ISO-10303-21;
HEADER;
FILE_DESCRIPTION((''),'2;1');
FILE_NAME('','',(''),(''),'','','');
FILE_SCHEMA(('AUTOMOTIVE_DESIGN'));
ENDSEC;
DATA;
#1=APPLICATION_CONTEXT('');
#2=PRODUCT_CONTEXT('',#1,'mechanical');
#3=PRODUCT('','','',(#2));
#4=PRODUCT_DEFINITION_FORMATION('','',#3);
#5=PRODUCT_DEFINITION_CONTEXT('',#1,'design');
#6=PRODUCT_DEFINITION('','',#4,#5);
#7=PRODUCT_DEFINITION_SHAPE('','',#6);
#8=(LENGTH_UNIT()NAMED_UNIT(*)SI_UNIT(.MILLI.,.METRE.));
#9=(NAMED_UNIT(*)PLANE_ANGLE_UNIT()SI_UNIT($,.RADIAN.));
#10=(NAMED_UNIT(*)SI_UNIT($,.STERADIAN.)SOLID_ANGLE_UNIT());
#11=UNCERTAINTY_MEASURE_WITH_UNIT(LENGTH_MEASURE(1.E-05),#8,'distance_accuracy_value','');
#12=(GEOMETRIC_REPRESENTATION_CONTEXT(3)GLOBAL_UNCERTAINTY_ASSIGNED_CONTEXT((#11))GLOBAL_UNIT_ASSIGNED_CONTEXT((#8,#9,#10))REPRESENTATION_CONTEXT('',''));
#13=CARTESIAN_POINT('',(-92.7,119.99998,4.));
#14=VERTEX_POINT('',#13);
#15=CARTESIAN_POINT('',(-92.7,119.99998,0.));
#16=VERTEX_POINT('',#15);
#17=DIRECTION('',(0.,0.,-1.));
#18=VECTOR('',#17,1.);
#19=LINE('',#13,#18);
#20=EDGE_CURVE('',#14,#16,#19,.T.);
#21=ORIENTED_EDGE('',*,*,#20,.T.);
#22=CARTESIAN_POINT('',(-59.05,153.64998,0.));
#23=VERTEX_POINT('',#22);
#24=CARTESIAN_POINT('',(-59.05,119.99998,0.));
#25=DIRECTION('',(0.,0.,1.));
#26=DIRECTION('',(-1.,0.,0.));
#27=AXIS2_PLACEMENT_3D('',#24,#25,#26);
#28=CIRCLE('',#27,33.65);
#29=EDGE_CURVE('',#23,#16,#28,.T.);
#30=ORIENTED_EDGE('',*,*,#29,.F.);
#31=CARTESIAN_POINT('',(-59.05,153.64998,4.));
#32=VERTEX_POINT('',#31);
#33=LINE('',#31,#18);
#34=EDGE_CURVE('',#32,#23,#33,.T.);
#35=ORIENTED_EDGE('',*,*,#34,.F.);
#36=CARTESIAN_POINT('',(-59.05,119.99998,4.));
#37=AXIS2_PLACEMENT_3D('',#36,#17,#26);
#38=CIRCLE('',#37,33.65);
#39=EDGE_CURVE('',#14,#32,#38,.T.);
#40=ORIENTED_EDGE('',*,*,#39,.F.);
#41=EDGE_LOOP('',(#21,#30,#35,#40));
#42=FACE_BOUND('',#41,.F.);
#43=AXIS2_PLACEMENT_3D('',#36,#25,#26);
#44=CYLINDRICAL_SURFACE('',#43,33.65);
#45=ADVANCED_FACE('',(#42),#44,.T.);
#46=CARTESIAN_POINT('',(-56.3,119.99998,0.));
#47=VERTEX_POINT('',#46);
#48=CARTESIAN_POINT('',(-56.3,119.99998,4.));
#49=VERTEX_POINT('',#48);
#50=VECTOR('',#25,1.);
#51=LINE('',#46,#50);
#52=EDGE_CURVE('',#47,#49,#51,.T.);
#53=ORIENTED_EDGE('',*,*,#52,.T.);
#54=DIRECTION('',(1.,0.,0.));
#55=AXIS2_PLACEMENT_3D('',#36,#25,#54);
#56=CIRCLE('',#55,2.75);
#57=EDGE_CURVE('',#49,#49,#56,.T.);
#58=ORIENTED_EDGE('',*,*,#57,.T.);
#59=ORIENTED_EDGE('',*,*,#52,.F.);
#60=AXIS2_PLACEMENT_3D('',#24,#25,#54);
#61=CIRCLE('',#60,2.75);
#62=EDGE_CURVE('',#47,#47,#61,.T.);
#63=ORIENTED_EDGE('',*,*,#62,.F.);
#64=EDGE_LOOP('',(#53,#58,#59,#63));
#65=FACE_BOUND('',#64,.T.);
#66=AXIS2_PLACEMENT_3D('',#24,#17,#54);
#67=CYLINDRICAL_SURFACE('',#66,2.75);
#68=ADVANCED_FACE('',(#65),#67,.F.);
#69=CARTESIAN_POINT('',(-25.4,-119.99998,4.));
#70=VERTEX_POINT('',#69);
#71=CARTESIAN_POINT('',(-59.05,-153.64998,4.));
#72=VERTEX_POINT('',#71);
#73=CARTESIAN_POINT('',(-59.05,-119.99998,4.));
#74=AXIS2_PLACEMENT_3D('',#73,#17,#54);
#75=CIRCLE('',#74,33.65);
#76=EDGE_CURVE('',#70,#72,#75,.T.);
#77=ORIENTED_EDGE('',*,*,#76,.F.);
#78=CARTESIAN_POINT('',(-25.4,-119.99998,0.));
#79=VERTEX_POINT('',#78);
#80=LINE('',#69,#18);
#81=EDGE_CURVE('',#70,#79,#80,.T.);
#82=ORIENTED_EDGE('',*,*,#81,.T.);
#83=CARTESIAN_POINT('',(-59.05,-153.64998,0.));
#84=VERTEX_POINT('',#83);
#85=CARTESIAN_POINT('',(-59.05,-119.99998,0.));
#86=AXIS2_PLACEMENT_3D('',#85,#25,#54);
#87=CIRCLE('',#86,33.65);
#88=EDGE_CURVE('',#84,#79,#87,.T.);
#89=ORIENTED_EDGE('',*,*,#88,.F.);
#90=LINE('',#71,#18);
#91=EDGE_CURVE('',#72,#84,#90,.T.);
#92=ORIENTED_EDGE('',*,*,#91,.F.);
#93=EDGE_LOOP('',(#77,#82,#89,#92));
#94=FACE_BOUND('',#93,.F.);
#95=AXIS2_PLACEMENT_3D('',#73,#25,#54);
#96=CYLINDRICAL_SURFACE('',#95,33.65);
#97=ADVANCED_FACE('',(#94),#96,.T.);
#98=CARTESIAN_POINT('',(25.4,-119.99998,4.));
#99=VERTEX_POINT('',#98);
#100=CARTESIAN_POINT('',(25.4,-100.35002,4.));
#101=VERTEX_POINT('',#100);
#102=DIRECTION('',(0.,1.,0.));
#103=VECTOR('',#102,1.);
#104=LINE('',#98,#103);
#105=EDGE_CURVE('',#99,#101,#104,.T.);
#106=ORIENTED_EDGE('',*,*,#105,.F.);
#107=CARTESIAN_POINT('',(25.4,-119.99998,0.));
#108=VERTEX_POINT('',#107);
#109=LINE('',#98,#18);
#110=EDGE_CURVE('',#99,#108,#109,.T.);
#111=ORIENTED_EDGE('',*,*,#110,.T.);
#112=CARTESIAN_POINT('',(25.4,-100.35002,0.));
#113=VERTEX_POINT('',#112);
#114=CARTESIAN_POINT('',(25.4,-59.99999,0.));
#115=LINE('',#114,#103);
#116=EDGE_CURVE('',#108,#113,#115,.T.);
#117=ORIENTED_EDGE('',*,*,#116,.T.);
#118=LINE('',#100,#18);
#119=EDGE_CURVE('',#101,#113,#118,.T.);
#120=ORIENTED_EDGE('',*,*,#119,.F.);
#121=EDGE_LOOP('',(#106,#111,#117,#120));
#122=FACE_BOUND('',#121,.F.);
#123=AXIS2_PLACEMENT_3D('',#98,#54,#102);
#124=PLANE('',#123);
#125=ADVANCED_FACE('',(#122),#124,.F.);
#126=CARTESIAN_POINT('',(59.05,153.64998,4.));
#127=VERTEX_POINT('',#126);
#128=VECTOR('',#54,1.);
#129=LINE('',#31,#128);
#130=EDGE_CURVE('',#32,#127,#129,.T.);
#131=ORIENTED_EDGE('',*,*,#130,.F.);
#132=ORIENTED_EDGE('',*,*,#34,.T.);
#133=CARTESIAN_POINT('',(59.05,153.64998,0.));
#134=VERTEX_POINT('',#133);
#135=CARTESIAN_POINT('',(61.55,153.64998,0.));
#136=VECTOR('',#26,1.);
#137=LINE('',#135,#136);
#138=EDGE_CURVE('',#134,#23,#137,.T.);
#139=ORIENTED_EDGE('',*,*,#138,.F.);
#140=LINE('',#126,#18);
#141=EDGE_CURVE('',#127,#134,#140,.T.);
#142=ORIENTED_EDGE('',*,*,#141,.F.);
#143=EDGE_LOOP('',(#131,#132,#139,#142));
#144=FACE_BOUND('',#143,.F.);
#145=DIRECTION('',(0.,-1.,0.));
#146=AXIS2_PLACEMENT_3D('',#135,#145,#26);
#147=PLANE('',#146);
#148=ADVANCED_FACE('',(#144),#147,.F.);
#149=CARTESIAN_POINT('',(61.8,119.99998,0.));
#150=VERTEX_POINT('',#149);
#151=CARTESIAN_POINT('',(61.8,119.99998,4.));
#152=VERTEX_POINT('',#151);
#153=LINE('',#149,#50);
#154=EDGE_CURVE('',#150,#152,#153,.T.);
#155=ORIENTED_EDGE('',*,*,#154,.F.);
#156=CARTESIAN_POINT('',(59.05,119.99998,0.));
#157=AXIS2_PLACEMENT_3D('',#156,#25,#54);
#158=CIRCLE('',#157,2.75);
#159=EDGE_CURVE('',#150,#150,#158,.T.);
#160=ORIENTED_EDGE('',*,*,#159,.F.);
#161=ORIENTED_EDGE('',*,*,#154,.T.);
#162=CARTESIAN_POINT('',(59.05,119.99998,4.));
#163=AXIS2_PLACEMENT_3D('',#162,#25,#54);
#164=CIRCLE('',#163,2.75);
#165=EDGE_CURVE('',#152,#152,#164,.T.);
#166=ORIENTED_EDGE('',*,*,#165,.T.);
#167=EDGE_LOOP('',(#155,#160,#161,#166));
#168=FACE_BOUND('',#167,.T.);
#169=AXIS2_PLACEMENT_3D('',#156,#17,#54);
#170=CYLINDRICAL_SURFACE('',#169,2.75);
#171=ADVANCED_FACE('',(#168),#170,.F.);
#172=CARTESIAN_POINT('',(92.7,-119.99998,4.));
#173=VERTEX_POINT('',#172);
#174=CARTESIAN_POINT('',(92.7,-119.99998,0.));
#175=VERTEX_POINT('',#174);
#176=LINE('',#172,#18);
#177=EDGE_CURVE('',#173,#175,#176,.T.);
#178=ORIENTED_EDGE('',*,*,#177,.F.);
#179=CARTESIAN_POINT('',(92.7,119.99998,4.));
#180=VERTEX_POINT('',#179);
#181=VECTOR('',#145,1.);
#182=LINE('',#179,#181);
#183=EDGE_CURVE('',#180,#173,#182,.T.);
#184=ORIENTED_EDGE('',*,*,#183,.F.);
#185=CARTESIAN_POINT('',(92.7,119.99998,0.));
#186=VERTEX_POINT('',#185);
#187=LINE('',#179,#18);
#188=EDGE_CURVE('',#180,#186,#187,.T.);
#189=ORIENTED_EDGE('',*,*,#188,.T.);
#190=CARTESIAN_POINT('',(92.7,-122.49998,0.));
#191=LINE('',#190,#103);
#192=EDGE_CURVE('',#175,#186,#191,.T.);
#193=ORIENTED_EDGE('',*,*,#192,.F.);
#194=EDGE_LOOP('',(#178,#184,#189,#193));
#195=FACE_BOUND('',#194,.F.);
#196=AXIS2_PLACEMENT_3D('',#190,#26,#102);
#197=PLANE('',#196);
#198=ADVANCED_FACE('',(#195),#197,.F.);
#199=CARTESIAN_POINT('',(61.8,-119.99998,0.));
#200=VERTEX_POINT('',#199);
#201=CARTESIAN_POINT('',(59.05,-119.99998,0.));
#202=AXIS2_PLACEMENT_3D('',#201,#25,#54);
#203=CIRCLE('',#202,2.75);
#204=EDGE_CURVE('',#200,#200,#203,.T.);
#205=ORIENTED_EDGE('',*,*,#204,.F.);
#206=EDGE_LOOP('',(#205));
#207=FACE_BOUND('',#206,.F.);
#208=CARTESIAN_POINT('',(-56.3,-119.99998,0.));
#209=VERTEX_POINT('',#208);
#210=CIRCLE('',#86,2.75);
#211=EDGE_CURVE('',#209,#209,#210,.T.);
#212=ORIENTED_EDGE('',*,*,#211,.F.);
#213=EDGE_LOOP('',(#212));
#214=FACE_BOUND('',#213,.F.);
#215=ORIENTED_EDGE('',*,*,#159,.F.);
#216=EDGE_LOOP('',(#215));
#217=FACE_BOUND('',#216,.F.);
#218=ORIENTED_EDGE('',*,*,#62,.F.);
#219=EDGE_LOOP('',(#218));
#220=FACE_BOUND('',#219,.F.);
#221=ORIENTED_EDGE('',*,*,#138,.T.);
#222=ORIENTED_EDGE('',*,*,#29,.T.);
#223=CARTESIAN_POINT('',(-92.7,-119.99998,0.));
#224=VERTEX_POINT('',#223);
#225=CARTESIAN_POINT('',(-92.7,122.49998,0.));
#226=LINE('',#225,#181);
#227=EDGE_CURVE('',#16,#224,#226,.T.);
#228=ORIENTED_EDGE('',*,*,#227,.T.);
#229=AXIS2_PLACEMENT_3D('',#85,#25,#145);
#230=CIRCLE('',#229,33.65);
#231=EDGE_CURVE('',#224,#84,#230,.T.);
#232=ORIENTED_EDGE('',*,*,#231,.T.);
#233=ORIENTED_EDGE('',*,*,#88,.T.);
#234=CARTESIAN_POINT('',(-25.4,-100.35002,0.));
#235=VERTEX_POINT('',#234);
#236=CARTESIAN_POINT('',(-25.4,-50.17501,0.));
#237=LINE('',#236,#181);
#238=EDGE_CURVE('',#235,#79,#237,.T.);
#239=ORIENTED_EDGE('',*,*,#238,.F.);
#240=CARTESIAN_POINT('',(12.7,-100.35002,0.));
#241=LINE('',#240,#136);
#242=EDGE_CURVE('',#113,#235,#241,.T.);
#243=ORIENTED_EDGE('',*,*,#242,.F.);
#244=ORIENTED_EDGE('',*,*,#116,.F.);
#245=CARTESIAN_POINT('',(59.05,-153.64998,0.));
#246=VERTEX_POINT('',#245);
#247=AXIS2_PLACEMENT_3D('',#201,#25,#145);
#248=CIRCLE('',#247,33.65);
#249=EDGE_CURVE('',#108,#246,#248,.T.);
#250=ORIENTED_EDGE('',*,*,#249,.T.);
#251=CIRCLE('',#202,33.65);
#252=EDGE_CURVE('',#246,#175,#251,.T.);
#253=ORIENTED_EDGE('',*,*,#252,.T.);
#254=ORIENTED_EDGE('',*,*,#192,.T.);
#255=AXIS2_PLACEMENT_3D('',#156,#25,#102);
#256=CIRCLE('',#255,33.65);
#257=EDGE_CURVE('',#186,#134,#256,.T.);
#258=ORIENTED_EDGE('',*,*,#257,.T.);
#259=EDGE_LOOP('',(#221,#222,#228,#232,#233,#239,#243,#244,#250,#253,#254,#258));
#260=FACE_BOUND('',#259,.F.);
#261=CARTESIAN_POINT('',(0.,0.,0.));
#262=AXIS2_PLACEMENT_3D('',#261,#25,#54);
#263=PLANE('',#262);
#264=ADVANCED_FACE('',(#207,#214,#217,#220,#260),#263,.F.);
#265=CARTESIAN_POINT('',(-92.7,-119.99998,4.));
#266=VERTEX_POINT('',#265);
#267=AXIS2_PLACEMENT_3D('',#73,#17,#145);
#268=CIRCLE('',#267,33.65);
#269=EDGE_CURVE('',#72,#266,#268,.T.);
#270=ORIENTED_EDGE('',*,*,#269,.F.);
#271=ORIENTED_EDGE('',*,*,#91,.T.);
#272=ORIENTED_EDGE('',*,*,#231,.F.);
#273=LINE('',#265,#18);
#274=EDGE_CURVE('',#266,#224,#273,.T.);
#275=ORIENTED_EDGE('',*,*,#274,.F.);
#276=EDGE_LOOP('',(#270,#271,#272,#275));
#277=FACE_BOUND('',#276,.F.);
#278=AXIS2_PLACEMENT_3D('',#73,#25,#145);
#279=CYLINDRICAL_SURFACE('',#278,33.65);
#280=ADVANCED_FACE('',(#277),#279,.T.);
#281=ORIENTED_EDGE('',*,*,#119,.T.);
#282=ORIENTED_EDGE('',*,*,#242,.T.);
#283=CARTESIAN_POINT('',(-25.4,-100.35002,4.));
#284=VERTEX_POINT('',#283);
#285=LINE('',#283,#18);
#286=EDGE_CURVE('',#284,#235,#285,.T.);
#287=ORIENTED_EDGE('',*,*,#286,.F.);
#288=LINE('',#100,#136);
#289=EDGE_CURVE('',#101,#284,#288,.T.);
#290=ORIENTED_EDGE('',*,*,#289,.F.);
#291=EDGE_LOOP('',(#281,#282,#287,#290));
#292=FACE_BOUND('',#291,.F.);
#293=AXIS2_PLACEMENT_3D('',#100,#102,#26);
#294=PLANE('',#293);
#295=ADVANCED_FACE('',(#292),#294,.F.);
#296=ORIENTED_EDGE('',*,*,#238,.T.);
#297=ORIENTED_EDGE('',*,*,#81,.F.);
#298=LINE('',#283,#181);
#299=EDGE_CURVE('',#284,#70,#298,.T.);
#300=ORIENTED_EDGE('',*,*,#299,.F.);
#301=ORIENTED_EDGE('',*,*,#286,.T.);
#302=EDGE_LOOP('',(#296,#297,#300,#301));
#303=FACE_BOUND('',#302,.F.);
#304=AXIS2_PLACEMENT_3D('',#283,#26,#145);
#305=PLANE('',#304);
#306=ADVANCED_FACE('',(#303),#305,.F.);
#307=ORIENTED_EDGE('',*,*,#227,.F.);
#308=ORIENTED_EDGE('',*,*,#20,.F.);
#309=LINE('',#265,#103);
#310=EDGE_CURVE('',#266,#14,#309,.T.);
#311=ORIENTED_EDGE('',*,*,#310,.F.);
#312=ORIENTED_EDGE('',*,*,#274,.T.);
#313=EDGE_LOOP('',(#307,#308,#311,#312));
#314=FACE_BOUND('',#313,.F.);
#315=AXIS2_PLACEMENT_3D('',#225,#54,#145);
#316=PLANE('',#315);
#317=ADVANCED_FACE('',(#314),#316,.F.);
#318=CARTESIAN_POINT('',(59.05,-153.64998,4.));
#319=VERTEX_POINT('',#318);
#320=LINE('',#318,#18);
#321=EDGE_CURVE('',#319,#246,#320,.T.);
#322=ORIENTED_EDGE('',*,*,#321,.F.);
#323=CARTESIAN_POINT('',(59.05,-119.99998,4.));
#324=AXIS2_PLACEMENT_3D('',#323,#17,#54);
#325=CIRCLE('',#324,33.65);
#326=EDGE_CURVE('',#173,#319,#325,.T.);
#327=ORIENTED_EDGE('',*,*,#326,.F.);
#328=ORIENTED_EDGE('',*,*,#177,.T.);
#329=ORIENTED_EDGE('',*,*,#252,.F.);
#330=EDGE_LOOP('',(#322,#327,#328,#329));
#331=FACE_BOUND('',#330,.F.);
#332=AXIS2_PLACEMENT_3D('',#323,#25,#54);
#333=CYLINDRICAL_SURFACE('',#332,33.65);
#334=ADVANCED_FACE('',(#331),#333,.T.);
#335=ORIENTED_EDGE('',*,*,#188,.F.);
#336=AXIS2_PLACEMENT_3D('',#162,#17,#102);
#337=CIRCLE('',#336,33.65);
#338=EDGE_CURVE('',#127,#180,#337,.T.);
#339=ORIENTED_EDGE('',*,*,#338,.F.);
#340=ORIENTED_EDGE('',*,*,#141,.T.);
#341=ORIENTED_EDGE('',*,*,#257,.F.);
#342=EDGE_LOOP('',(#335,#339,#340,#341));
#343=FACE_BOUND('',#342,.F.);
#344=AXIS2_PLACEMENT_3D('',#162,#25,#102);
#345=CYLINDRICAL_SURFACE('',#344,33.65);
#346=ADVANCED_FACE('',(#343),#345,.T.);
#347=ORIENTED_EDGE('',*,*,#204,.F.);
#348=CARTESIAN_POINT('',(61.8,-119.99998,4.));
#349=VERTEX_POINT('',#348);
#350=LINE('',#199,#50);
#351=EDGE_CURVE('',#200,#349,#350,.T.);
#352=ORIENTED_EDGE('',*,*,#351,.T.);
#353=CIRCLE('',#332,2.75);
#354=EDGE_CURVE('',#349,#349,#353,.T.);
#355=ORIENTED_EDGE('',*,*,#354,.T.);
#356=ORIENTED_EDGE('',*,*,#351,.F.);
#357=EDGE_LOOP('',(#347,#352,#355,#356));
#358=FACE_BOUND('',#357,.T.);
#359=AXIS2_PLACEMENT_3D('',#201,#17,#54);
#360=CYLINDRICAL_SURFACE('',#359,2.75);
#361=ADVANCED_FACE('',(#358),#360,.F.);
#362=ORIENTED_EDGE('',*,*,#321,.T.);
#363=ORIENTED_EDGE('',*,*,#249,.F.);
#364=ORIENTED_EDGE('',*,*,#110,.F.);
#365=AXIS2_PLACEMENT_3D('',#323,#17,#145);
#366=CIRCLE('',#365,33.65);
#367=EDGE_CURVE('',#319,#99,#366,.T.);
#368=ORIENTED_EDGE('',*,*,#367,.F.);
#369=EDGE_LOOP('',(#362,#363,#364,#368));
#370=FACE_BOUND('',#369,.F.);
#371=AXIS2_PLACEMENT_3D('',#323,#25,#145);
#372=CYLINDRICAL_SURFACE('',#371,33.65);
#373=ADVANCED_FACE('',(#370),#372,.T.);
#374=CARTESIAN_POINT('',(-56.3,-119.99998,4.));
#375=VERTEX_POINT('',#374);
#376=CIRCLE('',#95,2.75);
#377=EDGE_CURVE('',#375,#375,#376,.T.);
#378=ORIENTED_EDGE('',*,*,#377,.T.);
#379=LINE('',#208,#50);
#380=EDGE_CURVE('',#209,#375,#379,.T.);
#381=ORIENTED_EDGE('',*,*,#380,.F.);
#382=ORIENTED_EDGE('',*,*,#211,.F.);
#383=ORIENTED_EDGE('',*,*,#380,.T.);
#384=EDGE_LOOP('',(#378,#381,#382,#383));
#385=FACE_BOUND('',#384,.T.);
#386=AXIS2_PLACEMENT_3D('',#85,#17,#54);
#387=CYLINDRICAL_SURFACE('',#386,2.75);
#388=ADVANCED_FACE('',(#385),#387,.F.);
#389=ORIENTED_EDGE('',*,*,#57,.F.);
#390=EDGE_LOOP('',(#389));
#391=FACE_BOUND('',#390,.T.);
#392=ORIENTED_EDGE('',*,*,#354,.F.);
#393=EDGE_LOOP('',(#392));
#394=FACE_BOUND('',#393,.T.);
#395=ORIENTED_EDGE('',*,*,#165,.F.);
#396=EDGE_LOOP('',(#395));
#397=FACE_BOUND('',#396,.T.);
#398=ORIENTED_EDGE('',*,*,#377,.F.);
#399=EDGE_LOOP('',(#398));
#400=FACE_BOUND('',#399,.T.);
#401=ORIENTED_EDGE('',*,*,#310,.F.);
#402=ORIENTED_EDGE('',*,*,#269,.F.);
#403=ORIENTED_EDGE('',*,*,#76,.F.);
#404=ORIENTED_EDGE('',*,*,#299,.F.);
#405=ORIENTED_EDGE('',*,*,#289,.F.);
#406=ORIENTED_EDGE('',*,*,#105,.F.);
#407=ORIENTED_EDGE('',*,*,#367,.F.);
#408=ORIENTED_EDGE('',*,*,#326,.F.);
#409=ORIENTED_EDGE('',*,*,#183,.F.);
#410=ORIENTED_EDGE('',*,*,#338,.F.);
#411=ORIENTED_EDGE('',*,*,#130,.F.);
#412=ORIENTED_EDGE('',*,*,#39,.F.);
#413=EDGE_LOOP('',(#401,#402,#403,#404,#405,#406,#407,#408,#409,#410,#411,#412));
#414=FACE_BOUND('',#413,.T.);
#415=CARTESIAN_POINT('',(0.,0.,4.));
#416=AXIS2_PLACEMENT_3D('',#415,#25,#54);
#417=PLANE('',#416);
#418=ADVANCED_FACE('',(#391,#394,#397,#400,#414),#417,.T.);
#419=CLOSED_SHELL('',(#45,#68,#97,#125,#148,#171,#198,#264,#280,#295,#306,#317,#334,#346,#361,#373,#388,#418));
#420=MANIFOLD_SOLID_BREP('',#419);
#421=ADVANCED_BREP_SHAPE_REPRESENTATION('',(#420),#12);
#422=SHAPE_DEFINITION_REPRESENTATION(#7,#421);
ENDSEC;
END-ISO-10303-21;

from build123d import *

# Parameters (mm, degrees)
F0_R     = 2.75
F1_DEPTH = 4
F2_W     = 287.6251339912
F2_H     = 352.3535430431
F3_DEPTH = 25
F5_DEPTH = 25


with BuildPart() as f1:
    # F0 (on Top) → F1 (new body)
    with BuildSketch(Plane.XY):
        with BuildLine():
            ThreePointArc((92.7, 122.49998), (83.576376234, 144.526356234), (61.55, 153.64998))
            Line((61.55, 153.64998), (-61.55, 153.64998))
            ThreePointArc((-61.55, 153.64998), (-83.576376234, 144.526356234), (-92.7, 122.49998))
            Line((-92.7, 122.49998), (-92.7, -122.49998))
            ThreePointArc((-92.7, -122.49998), (-83.576376234, -144.526356234), (-61.55, -153.64998))
            Line((-61.55, -153.64998), (61.55, -153.64998))
            ThreePointArc((61.55, -153.64998), (83.576376234, -144.526356234), (92.7, -122.49998))
            Line((92.7, -122.49998), (92.7, 122.49998))
        make_face()
        with Locations((-59.05, -119.99998)):
            Circle(F0_R, mode=Mode.SUBTRACT)
        with Locations((59.05, -119.99998)):
            Circle(F0_R, mode=Mode.SUBTRACT)
        with Locations((-59.05, 119.99998)):
            Circle(F0_R, mode=Mode.SUBTRACT)
        with Locations((59.05, 119.99998)):
            Circle(F0_R, mode=Mode.SUBTRACT)
    extrude(amount=F1_DEPTH)

    # F2 (on face) → F3 (cut)
    with BuildSketch(Plane.XY.offset(4)):
        Rectangle(F2_W, F2_H)
        with BuildLine():
            ThreePointArc((-92.7, 119.99998), (-82.8441431869, 143.7941231869), (-59.05, 153.64998))
            Line((-59.05, 153.64998), (59.05, 153.64998))
            ThreePointArc((59.05, 153.64998), (82.8441431869, 143.7941231869), (92.7, 119.99998))
            Line((92.7, 119.99998), (92.7, -119.99998))
            ThreePointArc((92.7, -119.99998), (82.8441431869, -143.7941231869), (59.05, -153.64998))
            Line((59.05, -153.64998), (-59.05, -153.64998))
            ThreePointArc((-59.05, -153.64998), (-82.8441431869, -143.7941231869), (-92.7, -119.99998))
            Line((-92.7, -119.99998), (-92.7, 119.99998))
        make_face(mode=Mode.SUBTRACT)
    extrude(amount=-F3_DEPTH, mode=Mode.SUBTRACT)

    # F4 (on face) → F5 (cut)
    with BuildSketch(Plane.XY.offset(4)):
        with BuildLine():
            ThreePointArc((59.05, -153.64998), (35.2558568131, -143.7941231869), (25.4, -119.99998))
            Line((25.4, -119.99998), (25.4, -100.35002))
            Line((25.4, -100.35002), (0, -100.35002))
            Line((0, -100.35002), (-25.4, -100.35002))
            Line((-25.4, -100.35002), (-25.4, -119.99998))
            ThreePointArc((-25.4, -119.99998), (-35.2558568131, -143.7941231869), (-59.05, -153.64998))
            Line((-59.05, -153.64998), (59.05, -153.64998))
        make_face()
    extrude(amount=-F5_DEPTH, mode=Mode.SUBTRACT)


solid = f1.part
